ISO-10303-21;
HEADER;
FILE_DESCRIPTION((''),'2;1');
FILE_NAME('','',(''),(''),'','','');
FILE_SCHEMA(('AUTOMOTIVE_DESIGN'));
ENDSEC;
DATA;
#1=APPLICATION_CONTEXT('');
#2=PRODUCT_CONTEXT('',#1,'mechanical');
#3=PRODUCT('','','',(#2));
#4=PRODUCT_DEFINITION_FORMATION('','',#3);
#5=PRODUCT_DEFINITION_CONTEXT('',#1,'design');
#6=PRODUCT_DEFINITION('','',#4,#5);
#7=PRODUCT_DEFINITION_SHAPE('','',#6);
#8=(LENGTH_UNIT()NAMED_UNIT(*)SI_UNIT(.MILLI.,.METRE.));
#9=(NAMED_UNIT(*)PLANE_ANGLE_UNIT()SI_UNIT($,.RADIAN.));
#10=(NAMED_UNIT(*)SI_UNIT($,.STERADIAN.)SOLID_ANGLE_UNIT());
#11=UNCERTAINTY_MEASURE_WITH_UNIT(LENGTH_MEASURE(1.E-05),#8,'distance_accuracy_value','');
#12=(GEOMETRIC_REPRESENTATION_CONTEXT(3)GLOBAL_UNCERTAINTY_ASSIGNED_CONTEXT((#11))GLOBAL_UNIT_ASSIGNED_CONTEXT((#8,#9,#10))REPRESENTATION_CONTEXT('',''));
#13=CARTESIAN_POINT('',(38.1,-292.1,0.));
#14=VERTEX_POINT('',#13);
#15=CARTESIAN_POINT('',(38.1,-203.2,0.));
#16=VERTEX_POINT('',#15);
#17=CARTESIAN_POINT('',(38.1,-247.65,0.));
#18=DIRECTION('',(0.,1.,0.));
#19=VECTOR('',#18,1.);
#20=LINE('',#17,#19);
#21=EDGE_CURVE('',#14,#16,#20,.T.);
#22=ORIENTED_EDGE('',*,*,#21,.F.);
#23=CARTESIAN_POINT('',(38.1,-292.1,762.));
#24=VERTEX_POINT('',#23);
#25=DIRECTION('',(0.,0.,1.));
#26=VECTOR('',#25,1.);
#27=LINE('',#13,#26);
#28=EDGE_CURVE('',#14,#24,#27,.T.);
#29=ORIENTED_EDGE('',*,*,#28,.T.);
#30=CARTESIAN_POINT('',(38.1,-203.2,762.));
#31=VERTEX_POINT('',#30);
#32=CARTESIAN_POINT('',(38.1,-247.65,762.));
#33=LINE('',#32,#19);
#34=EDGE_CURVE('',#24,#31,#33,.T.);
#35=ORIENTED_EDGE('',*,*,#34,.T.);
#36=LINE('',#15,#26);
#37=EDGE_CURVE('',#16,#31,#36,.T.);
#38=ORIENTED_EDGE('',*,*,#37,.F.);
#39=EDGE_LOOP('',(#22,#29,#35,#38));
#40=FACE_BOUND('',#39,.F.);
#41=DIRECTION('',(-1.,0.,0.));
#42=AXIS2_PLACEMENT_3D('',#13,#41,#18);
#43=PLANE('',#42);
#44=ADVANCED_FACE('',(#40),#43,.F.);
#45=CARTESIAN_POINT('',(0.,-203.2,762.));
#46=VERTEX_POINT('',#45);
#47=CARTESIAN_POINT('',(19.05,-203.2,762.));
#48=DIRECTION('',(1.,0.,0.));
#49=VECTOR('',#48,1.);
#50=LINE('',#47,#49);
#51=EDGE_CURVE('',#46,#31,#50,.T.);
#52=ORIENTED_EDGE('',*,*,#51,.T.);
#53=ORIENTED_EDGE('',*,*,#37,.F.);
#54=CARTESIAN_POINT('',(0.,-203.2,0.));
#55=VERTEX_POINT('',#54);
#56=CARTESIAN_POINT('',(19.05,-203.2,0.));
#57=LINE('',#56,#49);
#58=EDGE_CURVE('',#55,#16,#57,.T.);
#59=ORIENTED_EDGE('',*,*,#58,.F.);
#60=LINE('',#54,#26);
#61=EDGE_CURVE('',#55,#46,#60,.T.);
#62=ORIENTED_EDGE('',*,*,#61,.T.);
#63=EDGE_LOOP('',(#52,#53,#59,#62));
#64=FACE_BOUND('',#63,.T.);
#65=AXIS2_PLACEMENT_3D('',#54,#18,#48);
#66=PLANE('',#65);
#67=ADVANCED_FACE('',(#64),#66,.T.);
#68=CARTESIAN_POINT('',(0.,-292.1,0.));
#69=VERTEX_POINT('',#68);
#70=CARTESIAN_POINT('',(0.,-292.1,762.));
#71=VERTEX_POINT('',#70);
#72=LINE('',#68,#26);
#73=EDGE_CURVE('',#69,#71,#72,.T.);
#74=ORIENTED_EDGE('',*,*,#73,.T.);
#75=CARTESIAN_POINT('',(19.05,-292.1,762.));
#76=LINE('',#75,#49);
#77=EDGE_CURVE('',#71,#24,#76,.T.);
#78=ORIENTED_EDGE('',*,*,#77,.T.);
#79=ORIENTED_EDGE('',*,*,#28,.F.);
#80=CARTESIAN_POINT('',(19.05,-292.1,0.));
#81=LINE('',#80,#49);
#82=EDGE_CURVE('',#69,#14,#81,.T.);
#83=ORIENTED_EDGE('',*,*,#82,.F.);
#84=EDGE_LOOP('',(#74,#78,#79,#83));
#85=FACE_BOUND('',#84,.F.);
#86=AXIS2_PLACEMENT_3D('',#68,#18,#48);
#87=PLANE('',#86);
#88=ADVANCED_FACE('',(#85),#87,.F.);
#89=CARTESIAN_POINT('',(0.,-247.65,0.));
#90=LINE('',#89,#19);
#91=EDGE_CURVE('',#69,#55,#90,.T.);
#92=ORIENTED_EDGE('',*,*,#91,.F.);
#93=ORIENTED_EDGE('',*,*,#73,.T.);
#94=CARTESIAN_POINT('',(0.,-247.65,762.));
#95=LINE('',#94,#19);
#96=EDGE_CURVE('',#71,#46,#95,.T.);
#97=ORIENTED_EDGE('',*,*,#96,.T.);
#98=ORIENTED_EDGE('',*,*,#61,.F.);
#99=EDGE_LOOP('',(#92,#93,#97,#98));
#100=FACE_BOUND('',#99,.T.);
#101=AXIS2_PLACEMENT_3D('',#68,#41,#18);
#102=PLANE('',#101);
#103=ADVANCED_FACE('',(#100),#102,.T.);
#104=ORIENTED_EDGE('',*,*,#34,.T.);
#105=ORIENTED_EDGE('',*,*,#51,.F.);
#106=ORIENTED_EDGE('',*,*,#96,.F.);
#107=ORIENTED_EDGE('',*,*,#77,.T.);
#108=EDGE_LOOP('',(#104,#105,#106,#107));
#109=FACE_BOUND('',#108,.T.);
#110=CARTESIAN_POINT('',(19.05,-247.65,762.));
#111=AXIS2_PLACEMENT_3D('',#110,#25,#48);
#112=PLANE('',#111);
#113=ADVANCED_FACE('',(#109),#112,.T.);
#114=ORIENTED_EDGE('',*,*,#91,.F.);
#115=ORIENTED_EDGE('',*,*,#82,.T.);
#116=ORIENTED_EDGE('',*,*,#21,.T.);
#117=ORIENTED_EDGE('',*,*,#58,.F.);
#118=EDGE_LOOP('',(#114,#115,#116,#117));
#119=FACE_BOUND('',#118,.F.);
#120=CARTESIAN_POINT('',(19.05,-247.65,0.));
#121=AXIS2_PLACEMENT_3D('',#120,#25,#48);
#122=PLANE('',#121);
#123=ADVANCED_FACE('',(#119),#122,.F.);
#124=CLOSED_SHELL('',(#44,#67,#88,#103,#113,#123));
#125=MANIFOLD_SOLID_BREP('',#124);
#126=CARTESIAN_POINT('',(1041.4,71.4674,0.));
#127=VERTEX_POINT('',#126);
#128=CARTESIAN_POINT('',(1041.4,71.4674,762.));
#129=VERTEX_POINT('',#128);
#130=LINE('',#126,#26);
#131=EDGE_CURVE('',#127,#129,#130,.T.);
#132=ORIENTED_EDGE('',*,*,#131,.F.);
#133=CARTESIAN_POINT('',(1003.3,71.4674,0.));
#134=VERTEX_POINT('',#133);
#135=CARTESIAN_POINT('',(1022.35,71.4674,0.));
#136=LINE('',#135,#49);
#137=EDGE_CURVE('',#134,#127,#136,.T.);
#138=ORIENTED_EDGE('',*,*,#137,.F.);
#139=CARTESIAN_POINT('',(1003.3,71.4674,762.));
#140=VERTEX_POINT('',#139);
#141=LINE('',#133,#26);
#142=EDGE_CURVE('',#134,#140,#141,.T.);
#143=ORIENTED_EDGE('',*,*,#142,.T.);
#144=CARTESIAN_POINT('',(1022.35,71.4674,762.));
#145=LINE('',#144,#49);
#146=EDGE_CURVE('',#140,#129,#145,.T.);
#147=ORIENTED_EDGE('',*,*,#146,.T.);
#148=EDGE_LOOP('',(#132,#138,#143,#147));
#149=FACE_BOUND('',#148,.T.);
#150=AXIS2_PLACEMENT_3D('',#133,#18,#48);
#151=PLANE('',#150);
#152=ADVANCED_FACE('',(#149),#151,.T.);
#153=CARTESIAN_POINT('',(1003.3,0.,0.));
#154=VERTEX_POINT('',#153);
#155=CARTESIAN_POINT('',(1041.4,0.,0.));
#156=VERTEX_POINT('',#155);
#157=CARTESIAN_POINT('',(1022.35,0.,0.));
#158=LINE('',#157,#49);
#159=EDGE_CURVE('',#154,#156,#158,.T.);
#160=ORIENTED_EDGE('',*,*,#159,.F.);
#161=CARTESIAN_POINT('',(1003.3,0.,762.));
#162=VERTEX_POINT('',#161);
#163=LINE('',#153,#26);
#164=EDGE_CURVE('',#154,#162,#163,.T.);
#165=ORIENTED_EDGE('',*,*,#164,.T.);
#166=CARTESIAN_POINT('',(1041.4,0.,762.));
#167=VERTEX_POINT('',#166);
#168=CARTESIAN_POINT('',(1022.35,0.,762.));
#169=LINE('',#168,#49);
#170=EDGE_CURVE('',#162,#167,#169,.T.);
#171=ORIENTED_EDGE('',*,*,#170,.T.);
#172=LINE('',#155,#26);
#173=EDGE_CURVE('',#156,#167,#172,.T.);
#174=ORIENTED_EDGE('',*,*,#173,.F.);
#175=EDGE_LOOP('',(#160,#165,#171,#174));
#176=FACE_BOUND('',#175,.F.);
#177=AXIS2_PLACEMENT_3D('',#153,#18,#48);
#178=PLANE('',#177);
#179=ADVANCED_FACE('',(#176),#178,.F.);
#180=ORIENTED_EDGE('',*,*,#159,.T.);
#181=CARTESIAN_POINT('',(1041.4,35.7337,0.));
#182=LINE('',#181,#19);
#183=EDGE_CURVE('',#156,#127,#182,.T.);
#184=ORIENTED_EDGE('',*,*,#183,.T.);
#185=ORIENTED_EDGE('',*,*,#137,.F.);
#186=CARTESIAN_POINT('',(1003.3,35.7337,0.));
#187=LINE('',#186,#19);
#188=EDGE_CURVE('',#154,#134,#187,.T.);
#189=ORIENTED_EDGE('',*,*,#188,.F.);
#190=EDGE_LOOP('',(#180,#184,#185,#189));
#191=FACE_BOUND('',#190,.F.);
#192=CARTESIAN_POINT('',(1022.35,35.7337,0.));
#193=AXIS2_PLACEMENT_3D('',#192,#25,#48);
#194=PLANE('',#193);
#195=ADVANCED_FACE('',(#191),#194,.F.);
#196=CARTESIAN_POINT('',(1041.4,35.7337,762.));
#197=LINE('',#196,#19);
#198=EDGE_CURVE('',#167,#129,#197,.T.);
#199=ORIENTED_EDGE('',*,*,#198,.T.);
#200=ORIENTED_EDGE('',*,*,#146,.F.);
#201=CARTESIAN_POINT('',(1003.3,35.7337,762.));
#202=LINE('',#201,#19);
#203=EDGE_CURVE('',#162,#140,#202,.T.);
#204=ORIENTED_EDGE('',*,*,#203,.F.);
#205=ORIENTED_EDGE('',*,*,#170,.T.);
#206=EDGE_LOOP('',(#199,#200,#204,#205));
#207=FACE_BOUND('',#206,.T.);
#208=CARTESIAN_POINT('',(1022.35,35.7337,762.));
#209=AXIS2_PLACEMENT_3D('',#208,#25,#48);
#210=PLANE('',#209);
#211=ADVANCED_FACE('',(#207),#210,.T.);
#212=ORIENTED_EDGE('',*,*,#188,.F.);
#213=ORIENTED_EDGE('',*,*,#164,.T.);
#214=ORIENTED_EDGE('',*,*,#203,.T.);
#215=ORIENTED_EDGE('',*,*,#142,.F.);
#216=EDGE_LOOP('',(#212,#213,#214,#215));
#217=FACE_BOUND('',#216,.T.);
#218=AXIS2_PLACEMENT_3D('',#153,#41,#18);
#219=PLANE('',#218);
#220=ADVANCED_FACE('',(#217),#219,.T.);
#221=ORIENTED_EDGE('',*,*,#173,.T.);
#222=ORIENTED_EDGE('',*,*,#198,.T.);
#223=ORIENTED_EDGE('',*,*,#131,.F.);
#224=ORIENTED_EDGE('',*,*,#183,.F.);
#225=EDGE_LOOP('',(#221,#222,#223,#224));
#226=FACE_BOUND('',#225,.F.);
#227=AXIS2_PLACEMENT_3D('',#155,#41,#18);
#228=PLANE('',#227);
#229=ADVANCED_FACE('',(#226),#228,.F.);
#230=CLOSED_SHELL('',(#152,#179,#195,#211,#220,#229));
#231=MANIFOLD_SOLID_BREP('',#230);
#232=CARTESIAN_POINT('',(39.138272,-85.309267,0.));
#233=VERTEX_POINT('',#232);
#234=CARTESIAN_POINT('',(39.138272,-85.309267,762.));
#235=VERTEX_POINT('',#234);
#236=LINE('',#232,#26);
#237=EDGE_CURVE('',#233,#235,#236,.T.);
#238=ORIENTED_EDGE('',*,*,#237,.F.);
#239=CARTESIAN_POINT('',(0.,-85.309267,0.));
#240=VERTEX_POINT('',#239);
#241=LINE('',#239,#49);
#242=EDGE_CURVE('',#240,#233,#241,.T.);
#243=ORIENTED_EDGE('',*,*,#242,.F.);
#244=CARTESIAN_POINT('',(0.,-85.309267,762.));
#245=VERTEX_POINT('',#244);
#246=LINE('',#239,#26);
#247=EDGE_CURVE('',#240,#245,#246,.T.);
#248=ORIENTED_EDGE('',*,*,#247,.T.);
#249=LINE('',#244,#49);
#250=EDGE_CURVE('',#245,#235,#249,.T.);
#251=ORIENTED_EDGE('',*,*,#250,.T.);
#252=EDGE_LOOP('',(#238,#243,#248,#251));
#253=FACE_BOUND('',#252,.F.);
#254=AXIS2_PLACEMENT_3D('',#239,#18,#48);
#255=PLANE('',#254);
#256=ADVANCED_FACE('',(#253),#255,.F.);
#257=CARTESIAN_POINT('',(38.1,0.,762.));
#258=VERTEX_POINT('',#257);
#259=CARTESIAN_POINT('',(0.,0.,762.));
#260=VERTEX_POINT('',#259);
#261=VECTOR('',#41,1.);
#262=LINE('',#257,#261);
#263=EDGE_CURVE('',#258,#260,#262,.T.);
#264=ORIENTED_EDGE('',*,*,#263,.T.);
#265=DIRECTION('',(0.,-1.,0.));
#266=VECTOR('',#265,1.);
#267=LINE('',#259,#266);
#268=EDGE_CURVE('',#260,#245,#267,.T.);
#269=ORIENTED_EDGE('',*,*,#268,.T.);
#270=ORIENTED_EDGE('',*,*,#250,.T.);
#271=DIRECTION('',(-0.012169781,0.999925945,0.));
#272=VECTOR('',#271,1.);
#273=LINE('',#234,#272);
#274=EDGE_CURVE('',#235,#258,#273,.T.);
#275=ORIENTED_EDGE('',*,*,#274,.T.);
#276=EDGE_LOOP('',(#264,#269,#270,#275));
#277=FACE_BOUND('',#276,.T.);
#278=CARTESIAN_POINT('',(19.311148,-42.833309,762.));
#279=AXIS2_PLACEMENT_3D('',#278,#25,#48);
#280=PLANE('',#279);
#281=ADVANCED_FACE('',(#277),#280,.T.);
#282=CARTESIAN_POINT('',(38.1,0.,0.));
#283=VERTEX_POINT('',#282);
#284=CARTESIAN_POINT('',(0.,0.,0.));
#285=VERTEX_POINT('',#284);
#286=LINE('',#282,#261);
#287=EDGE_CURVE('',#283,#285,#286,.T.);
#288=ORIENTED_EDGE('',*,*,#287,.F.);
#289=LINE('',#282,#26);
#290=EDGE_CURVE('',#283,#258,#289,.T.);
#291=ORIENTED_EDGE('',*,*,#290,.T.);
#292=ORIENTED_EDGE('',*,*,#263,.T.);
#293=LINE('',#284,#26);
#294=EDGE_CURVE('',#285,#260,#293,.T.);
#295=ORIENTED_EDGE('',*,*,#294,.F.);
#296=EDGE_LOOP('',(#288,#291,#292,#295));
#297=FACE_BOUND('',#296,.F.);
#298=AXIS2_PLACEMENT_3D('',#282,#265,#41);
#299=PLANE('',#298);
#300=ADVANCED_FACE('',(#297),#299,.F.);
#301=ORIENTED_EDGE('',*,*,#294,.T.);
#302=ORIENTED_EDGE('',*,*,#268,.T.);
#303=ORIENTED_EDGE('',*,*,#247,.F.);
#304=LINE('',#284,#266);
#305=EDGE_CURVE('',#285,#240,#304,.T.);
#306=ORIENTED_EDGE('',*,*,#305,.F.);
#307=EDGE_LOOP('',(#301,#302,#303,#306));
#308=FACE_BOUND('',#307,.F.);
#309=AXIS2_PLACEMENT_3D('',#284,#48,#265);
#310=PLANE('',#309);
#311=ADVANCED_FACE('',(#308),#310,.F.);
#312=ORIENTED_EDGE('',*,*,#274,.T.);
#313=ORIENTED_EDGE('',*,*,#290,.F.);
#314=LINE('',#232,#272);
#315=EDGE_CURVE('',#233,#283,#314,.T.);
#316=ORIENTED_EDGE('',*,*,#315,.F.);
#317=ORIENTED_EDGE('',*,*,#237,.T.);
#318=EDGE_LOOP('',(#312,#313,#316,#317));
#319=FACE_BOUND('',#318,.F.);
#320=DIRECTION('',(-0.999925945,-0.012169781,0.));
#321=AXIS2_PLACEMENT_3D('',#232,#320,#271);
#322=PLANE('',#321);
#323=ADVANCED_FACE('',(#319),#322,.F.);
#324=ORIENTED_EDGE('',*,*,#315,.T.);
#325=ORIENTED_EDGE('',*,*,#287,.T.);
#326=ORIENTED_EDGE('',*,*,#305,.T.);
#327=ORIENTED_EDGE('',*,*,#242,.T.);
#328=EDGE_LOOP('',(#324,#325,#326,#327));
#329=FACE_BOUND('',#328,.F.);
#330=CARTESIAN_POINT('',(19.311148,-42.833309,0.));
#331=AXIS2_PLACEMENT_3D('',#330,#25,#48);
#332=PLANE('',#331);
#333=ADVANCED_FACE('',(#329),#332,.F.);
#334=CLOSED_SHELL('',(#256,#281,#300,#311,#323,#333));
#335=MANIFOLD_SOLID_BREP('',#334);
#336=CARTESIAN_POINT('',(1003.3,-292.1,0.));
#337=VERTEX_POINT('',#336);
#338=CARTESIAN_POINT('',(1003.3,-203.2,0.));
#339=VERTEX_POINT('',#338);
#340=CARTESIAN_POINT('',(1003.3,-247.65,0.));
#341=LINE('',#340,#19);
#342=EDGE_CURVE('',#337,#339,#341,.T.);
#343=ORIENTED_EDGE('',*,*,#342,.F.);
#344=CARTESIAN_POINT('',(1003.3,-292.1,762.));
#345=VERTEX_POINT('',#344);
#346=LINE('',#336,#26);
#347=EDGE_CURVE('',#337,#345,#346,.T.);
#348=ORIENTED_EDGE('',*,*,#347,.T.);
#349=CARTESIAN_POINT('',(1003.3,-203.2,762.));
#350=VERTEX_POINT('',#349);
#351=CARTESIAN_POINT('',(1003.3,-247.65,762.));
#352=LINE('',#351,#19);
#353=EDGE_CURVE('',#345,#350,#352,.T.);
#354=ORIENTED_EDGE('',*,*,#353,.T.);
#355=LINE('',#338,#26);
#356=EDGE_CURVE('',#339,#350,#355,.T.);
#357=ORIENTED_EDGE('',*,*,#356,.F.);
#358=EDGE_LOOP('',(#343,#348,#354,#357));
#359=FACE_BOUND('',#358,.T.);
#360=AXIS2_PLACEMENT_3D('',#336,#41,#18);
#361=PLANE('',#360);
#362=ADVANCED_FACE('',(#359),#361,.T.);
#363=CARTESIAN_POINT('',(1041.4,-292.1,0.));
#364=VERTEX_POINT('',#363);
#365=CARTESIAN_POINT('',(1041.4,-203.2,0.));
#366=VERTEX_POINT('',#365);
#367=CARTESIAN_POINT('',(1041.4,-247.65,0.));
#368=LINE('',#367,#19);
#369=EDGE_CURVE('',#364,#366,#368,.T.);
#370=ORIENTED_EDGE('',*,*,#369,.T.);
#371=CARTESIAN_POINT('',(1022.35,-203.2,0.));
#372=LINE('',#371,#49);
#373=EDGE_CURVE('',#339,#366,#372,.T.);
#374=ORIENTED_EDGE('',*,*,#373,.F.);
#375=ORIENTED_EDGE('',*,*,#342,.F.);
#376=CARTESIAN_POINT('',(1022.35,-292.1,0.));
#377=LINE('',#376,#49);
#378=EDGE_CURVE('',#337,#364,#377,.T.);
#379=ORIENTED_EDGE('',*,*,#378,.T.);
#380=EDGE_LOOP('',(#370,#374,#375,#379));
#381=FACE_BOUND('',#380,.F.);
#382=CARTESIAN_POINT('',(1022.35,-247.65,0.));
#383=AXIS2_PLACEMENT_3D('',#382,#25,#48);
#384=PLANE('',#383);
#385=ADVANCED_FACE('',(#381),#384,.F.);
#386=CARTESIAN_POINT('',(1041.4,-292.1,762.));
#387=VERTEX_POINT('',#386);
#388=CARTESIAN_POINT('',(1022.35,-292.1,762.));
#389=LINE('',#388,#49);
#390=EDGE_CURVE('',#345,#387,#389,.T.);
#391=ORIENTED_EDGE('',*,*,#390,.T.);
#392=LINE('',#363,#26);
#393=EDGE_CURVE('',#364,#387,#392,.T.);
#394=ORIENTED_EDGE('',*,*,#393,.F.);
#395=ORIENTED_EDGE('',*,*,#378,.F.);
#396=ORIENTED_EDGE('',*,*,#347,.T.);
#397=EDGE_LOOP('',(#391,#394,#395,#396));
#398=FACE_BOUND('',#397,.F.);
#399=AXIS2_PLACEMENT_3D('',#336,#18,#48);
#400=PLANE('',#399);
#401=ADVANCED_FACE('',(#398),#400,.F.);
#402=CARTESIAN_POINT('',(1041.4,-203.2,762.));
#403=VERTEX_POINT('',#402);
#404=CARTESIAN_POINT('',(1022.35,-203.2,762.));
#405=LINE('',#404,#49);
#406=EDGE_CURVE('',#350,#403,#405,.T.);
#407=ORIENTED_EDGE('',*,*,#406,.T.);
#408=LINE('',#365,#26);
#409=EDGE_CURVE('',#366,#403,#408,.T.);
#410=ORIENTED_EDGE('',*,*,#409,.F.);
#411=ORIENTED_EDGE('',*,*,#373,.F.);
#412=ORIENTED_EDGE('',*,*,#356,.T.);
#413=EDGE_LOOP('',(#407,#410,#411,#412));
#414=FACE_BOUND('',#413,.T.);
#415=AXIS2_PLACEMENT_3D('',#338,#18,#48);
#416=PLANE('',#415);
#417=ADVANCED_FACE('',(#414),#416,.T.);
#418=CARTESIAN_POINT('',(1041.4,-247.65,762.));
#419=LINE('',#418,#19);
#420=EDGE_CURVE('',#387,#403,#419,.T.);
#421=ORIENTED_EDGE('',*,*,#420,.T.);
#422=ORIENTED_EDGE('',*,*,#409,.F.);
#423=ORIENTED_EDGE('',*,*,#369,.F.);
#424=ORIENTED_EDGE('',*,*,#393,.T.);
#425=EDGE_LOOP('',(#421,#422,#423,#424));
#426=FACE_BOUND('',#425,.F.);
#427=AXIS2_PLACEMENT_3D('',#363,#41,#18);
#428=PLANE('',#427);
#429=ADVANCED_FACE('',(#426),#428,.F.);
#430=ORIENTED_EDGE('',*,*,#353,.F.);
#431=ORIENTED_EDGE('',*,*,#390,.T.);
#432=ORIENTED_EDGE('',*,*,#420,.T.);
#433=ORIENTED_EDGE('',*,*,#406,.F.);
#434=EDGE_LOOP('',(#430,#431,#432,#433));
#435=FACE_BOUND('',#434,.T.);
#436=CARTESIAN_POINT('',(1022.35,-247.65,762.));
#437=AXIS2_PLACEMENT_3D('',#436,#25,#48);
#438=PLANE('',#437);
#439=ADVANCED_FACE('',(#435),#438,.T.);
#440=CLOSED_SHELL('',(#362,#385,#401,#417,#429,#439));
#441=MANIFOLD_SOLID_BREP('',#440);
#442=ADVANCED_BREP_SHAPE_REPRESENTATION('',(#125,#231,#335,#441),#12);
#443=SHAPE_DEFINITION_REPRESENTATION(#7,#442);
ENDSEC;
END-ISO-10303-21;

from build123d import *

# Parameters (mm, degrees)
F0_W     = 38.1
F0_H     = 88.9
F0_H_2   = 71.467401
F1_DEPTH = 762


with BuildPart() as f1:
    # F0 (on Top) → F1 (new body)
    with BuildSketch(Plane.XY):
        Polygon((38.1, 0), (0, 0), (0, -85.309267), (39.138272, -85.309267), align=None)
        with Locations((19.05, -247.65)):
            Rectangle(F0_W, F0_H)
        with Locations((1022.35, 35.7337)):
            Rectangle(F0_W, F0_H_2)
        with Locations((1022.35, -247.65)):
            Rectangle(F0_W, F0_H)
    extrude(amount=F1_DEPTH)


solid = f1.part
